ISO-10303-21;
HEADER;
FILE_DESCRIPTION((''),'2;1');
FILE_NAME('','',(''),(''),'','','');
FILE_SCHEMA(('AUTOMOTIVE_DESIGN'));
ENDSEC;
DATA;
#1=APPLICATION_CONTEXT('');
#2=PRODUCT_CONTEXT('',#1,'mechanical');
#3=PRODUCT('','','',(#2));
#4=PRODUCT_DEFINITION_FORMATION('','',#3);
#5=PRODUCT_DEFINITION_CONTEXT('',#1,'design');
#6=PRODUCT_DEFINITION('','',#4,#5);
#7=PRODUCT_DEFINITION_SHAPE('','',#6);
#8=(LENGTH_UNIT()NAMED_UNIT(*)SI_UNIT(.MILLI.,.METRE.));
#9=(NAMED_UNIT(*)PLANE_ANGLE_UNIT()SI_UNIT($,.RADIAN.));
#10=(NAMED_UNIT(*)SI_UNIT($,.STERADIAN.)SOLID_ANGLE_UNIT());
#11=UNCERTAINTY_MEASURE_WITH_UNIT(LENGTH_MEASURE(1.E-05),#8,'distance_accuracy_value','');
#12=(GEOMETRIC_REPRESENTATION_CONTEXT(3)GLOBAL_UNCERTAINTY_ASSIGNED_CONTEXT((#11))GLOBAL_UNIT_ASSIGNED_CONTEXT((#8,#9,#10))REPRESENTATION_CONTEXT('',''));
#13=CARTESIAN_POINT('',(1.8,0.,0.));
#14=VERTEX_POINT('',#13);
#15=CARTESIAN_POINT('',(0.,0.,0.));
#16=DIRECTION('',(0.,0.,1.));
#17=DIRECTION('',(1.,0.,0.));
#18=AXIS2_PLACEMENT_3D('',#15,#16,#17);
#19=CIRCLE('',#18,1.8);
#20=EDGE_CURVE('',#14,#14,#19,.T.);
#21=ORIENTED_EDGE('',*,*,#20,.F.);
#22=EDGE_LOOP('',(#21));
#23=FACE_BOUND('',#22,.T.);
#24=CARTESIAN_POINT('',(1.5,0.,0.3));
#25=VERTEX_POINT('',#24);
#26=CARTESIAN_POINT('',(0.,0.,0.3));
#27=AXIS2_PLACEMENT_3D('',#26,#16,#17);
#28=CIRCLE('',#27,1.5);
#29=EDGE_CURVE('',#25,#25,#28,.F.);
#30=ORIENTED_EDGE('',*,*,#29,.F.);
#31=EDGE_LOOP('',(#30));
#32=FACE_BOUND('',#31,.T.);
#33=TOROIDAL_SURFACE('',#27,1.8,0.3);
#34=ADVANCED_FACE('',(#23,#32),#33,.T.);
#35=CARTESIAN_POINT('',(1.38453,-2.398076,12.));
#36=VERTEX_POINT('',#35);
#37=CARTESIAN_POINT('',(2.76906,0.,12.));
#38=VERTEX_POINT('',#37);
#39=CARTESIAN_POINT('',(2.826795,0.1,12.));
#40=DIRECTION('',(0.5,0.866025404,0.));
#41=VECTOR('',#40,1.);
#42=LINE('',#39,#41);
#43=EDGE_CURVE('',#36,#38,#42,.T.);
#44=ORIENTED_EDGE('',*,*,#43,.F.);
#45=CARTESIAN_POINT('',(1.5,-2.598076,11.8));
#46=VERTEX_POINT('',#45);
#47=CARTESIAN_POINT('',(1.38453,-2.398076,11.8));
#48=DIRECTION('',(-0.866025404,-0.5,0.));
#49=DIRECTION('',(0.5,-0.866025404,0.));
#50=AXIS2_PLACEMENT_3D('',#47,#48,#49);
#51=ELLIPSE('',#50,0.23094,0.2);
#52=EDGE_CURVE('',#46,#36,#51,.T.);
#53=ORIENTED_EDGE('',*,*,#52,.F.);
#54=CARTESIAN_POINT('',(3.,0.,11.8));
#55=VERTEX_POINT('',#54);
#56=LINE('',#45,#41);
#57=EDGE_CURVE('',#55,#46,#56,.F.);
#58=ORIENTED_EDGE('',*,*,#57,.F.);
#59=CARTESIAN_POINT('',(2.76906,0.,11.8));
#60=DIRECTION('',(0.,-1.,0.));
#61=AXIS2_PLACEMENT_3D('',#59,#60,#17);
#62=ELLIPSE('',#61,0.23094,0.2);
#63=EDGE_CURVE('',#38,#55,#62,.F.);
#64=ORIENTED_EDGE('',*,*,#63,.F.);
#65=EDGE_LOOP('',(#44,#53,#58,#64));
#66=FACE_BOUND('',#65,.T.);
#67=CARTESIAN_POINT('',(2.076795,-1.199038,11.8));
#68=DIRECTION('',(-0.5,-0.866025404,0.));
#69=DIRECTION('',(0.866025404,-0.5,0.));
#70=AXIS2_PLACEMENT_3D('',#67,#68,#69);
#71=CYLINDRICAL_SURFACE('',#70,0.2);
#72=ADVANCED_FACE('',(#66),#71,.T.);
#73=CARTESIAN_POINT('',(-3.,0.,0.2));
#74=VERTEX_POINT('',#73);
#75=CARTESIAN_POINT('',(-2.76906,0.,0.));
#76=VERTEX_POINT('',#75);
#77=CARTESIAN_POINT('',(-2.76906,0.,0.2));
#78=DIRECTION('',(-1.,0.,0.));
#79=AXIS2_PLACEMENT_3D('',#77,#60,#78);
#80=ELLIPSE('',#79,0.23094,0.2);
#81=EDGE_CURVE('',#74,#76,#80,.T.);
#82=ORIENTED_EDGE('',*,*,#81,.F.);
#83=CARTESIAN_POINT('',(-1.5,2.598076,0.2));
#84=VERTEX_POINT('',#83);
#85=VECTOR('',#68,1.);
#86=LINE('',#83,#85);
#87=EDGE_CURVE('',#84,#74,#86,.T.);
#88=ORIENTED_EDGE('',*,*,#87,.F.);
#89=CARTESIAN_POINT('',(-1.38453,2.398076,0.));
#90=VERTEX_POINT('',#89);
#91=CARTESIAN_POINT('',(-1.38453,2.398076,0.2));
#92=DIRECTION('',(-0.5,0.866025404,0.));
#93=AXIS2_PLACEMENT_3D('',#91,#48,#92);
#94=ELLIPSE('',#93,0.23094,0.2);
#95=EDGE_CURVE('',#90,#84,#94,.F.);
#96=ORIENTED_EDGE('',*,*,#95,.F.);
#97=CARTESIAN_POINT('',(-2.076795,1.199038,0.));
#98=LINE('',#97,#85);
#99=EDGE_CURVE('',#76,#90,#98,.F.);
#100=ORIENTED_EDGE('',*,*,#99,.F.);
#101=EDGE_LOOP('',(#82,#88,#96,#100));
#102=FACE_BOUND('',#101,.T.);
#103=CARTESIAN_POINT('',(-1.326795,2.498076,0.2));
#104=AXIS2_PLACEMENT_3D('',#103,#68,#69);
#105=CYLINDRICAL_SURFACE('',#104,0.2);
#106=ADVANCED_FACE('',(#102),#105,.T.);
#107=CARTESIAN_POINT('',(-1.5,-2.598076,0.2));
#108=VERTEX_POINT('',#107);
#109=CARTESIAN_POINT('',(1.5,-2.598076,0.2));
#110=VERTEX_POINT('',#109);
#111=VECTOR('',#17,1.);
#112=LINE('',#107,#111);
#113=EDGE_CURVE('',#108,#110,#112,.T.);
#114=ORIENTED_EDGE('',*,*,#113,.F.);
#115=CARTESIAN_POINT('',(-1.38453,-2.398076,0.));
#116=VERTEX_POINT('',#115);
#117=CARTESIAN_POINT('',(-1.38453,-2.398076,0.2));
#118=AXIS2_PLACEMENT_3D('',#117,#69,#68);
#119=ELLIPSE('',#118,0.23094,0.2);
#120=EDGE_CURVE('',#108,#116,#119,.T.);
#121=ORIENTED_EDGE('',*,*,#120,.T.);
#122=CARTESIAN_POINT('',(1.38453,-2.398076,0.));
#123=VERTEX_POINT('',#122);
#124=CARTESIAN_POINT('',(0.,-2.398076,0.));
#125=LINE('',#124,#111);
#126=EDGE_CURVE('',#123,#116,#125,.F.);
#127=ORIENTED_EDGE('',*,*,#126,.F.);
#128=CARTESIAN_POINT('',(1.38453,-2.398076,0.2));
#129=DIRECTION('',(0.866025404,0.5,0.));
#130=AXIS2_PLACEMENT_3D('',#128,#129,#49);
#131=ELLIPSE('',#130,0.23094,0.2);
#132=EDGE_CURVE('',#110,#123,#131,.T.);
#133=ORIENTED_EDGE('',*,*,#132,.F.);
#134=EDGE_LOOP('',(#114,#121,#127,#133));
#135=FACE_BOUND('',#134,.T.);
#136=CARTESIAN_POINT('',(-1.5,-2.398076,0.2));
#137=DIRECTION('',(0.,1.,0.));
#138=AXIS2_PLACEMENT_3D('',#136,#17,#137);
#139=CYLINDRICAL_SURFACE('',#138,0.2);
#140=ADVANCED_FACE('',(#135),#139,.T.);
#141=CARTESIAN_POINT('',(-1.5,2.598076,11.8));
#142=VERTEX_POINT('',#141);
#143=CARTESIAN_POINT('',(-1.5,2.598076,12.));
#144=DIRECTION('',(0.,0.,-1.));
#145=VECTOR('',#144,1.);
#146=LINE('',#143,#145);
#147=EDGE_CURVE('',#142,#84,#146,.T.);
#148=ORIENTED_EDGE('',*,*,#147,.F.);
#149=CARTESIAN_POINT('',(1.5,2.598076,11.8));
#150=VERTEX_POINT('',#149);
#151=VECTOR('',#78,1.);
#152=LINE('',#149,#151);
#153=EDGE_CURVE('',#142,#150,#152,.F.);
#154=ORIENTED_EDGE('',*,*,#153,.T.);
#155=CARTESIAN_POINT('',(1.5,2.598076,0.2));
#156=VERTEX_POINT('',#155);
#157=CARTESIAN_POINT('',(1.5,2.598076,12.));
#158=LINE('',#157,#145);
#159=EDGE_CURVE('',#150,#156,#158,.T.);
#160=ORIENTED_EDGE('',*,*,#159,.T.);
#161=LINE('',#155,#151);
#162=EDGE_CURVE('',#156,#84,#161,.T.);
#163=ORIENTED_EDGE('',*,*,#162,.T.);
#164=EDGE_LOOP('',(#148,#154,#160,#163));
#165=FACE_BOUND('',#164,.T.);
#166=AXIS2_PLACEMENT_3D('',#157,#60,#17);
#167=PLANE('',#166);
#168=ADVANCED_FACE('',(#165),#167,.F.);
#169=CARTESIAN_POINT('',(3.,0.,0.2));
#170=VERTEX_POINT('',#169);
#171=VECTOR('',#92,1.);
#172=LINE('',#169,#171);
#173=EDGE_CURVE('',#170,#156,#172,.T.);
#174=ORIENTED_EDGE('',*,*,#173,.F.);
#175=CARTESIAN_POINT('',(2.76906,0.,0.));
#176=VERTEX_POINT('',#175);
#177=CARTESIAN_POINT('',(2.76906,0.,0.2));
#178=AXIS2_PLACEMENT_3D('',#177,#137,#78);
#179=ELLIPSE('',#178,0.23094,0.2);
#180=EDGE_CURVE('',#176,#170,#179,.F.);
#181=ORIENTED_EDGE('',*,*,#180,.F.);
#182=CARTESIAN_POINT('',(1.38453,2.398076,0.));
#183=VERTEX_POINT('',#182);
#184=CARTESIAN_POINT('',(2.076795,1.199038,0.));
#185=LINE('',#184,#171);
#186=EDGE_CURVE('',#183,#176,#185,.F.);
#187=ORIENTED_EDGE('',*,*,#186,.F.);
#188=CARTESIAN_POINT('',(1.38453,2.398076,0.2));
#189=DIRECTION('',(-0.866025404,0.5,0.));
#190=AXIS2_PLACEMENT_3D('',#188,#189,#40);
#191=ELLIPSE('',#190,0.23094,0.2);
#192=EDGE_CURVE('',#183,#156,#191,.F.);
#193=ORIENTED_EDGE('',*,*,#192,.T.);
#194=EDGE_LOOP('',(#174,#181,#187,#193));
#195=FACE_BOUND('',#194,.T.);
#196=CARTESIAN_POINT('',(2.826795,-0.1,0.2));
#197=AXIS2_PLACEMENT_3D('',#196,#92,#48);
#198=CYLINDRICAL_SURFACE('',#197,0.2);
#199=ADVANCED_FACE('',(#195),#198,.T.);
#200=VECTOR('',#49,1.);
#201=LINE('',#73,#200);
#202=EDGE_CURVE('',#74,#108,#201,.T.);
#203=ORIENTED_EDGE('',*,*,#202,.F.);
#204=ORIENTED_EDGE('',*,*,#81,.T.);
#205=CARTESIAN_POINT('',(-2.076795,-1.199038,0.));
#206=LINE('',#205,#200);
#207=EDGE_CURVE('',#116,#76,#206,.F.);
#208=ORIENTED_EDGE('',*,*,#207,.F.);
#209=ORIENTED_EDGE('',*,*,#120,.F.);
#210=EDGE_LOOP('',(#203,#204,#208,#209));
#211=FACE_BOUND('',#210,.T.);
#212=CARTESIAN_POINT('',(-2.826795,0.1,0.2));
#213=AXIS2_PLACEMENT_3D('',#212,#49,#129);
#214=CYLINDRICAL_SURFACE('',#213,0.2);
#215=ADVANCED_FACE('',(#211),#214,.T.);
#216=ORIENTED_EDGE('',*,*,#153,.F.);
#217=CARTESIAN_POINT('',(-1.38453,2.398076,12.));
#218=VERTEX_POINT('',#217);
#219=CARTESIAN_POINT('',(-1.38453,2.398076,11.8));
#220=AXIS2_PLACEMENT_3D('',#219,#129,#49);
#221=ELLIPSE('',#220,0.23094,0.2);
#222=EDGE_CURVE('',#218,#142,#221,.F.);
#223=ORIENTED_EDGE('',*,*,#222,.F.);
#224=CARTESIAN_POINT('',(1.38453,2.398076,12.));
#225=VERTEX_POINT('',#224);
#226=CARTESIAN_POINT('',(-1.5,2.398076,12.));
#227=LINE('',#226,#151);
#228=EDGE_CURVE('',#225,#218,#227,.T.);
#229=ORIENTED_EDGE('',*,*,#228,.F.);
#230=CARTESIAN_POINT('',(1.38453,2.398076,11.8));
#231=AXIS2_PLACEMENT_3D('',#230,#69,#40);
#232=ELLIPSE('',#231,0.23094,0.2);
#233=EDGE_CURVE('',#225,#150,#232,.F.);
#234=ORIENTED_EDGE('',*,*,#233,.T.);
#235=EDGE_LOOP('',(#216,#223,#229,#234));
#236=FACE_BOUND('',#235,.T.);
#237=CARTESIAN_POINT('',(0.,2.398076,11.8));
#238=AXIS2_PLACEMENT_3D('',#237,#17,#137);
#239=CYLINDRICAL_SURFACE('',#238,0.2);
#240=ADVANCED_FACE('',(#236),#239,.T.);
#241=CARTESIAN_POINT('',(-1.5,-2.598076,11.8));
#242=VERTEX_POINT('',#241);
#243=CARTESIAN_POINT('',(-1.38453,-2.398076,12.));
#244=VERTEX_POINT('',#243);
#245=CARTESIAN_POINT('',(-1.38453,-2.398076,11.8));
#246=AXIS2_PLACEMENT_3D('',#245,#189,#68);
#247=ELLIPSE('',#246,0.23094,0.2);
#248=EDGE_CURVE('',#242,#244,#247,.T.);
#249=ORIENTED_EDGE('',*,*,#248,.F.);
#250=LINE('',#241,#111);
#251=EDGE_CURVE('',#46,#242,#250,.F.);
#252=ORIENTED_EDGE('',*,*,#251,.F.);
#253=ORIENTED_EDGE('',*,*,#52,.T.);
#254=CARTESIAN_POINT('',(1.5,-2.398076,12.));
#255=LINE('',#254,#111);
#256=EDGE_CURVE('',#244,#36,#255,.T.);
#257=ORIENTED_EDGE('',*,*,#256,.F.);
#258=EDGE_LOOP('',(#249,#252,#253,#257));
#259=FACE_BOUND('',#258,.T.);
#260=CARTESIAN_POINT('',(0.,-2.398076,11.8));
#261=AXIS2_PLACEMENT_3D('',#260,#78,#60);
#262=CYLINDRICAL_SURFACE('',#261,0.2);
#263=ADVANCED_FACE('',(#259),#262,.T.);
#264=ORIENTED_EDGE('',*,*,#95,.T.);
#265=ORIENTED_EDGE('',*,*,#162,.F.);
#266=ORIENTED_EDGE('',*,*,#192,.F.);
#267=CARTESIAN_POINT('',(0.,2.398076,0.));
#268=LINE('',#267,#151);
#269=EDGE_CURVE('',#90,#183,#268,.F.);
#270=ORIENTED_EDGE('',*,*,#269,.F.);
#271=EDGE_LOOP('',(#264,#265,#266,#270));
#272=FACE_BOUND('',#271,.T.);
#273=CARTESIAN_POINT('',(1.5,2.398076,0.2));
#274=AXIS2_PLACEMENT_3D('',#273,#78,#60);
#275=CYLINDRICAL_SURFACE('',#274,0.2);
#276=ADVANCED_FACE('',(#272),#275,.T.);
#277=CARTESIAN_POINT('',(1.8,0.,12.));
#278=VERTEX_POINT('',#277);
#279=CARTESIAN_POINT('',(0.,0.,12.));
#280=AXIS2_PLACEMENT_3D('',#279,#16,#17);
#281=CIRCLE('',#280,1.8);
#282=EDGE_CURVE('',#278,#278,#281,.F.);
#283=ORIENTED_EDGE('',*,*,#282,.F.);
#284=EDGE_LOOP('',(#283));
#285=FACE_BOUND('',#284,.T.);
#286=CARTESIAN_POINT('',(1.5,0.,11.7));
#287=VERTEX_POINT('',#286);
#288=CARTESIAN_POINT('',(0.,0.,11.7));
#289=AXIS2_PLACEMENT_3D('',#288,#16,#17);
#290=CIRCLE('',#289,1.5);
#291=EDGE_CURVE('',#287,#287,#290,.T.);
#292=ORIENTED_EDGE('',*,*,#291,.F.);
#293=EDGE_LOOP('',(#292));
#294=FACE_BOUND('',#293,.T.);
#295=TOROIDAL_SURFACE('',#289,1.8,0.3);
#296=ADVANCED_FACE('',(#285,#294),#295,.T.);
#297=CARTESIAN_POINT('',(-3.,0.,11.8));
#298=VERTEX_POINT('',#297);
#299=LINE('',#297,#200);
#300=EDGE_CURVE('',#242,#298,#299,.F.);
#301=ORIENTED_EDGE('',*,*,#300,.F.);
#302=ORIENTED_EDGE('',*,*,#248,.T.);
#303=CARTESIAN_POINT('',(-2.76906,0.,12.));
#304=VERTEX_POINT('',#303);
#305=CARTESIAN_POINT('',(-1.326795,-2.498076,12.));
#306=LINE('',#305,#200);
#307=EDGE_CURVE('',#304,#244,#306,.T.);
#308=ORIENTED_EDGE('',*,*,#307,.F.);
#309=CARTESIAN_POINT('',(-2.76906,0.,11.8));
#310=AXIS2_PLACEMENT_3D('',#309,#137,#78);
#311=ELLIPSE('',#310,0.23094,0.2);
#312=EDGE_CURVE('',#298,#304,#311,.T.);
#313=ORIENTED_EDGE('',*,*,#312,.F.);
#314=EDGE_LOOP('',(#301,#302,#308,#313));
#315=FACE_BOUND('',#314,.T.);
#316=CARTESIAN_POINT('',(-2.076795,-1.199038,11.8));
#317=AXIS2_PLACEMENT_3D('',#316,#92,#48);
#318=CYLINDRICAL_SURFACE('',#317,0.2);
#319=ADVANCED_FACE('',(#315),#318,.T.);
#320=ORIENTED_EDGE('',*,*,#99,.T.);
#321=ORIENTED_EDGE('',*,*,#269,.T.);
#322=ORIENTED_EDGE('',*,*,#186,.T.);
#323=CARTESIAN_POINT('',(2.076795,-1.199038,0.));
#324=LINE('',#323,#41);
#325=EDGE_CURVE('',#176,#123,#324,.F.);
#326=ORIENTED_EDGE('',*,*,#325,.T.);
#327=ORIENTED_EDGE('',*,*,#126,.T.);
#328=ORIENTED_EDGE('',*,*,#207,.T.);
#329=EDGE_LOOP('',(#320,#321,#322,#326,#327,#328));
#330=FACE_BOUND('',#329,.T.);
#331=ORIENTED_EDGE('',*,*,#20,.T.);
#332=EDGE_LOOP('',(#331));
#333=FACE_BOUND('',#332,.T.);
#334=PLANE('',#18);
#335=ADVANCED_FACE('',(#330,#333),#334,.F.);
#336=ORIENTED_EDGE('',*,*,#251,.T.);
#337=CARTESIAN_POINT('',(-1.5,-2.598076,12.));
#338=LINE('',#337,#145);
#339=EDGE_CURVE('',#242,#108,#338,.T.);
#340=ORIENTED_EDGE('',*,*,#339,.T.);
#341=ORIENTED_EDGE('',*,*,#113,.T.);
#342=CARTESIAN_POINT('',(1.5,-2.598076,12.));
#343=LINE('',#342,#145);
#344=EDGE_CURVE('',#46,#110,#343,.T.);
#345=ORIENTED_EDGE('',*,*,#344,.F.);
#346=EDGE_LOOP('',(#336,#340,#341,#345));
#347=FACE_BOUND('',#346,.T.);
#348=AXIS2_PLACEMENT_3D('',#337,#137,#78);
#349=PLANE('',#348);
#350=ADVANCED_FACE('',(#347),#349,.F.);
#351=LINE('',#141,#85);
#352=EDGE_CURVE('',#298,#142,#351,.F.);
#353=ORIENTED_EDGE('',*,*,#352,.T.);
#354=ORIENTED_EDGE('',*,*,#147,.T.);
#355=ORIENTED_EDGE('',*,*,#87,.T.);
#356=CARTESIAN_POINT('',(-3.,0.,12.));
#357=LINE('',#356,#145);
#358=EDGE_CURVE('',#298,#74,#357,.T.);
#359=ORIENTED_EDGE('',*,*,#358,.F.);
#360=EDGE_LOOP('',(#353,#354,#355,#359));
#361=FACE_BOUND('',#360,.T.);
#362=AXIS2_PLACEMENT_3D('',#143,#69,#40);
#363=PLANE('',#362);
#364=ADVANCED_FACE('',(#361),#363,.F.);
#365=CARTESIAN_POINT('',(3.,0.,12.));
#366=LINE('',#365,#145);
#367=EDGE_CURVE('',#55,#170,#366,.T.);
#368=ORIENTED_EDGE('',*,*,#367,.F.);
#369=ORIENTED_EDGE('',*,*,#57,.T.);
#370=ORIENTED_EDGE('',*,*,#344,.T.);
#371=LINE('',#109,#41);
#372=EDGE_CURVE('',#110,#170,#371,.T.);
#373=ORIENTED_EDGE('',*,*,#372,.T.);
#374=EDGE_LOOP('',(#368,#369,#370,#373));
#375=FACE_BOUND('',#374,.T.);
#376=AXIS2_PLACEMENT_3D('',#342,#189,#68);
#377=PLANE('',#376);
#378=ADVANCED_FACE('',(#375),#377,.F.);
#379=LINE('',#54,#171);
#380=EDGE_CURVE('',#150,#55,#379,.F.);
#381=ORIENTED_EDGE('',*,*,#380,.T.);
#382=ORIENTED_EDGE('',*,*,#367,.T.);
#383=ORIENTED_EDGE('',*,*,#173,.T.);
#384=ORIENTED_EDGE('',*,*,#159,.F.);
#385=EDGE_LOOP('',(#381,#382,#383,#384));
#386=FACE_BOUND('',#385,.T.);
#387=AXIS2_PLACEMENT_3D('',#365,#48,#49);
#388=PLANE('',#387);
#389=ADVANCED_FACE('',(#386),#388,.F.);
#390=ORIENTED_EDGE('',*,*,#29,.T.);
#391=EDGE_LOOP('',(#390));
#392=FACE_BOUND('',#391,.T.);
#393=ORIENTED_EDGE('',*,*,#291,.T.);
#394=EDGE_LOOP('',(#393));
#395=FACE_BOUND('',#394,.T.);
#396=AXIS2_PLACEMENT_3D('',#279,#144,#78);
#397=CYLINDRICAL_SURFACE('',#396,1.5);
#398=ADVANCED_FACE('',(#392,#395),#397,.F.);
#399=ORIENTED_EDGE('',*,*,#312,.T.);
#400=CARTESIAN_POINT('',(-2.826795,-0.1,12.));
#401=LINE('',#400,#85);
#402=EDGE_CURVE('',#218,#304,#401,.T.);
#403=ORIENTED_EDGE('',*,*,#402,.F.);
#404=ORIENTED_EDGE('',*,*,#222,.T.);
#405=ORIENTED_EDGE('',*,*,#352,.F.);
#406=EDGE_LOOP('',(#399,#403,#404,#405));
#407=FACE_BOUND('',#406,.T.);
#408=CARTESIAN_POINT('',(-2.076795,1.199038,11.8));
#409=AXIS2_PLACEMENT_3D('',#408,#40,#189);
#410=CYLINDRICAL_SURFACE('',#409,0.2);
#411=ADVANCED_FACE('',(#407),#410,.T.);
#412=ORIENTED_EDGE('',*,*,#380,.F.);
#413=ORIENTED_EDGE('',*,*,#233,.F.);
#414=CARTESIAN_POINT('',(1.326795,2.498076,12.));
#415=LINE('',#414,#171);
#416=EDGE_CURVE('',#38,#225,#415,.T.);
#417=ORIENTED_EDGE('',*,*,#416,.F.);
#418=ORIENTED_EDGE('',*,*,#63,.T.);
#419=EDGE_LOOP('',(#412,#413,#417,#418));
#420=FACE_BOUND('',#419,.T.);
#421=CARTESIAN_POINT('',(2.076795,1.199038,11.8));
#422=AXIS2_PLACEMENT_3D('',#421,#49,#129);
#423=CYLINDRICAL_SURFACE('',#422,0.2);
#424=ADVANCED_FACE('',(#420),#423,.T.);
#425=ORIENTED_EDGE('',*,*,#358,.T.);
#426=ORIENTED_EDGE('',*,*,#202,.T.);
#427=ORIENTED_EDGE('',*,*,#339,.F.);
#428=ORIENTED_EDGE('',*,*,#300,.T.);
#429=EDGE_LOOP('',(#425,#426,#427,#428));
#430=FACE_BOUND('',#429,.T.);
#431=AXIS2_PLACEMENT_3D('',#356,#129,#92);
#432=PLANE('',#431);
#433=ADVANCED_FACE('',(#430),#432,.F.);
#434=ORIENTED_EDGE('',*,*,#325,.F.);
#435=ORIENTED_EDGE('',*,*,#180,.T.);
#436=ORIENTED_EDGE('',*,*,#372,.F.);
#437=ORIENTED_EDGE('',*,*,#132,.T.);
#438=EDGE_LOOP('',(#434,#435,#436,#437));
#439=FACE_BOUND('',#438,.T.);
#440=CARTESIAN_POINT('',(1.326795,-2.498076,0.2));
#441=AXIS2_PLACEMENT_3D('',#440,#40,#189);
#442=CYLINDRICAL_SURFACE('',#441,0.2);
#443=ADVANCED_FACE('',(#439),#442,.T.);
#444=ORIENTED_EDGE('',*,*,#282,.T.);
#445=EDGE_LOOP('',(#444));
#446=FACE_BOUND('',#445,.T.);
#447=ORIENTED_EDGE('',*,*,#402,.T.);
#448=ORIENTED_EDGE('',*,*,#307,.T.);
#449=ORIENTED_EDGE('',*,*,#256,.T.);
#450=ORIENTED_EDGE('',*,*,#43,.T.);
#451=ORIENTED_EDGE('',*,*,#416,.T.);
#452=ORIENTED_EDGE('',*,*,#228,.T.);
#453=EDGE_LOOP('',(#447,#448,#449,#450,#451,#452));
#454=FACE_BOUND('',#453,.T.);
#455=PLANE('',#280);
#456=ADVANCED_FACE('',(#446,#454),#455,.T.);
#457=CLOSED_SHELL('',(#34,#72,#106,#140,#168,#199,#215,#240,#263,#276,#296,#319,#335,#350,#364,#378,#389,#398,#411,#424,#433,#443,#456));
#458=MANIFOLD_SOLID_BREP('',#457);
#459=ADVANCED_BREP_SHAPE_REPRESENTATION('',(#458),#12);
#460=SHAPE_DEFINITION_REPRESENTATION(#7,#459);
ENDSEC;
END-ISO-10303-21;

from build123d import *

# Parameters (mm, degrees)
SKETCH1_R           = 1.5
BOSS_EXTRUDE1_DEPTH = 12
FILLET1_R           = 0.3
FILLET2_R           = 0.2


with BuildPart() as part:
    # Sketch1 → Boss-Extrude1 (new body)
    with BuildSketch(Plane.XY):
        Polygon((3, 0), (1.5, 2.598076211), (-1.5, 2.598076211), (-3, 0), (-1.5, -2.598076211), (1.5, -2.598076211), align=None)
        Circle(SKETCH1_R, mode=Mode.SUBTRACT)
    extrude(amount=BOSS_EXTRUDE1_DEPTH)

    # Fillet1
    fillet1_edges = [part.edges().sort_by_distance(p)[0] for p in [
        (-1.5, 0, 0),
        (-1.5, 0, 12),
    ]]
    fillet(fillet1_edges, radius=FILLET1_R)

    # Fillet2
    fillet2_edges = [part.edges().sort_by_distance(p)[0] for p in [
        (0, 2.598076211, 12),
        (-2.25, 1.299038106, 12),
        (-2.25, -1.299038106, 12),
        (0, -2.598076211, 12),
        (2.25, -1.299038106, 12),
        (0, -2.598076211, 0),
        (-2.25, -1.299038106, 0),
        (-2.25, 1.299038106, 0),
        (2.25, 1.299038106, 12),
        (0, 2.598076211, 0),
        (2.25, 1.299038106, 0),
        (2.25, -1.299038106, 0),
    ]]
    fillet(fillet2_edges, radius=FILLET2_R)


solid = part.part
